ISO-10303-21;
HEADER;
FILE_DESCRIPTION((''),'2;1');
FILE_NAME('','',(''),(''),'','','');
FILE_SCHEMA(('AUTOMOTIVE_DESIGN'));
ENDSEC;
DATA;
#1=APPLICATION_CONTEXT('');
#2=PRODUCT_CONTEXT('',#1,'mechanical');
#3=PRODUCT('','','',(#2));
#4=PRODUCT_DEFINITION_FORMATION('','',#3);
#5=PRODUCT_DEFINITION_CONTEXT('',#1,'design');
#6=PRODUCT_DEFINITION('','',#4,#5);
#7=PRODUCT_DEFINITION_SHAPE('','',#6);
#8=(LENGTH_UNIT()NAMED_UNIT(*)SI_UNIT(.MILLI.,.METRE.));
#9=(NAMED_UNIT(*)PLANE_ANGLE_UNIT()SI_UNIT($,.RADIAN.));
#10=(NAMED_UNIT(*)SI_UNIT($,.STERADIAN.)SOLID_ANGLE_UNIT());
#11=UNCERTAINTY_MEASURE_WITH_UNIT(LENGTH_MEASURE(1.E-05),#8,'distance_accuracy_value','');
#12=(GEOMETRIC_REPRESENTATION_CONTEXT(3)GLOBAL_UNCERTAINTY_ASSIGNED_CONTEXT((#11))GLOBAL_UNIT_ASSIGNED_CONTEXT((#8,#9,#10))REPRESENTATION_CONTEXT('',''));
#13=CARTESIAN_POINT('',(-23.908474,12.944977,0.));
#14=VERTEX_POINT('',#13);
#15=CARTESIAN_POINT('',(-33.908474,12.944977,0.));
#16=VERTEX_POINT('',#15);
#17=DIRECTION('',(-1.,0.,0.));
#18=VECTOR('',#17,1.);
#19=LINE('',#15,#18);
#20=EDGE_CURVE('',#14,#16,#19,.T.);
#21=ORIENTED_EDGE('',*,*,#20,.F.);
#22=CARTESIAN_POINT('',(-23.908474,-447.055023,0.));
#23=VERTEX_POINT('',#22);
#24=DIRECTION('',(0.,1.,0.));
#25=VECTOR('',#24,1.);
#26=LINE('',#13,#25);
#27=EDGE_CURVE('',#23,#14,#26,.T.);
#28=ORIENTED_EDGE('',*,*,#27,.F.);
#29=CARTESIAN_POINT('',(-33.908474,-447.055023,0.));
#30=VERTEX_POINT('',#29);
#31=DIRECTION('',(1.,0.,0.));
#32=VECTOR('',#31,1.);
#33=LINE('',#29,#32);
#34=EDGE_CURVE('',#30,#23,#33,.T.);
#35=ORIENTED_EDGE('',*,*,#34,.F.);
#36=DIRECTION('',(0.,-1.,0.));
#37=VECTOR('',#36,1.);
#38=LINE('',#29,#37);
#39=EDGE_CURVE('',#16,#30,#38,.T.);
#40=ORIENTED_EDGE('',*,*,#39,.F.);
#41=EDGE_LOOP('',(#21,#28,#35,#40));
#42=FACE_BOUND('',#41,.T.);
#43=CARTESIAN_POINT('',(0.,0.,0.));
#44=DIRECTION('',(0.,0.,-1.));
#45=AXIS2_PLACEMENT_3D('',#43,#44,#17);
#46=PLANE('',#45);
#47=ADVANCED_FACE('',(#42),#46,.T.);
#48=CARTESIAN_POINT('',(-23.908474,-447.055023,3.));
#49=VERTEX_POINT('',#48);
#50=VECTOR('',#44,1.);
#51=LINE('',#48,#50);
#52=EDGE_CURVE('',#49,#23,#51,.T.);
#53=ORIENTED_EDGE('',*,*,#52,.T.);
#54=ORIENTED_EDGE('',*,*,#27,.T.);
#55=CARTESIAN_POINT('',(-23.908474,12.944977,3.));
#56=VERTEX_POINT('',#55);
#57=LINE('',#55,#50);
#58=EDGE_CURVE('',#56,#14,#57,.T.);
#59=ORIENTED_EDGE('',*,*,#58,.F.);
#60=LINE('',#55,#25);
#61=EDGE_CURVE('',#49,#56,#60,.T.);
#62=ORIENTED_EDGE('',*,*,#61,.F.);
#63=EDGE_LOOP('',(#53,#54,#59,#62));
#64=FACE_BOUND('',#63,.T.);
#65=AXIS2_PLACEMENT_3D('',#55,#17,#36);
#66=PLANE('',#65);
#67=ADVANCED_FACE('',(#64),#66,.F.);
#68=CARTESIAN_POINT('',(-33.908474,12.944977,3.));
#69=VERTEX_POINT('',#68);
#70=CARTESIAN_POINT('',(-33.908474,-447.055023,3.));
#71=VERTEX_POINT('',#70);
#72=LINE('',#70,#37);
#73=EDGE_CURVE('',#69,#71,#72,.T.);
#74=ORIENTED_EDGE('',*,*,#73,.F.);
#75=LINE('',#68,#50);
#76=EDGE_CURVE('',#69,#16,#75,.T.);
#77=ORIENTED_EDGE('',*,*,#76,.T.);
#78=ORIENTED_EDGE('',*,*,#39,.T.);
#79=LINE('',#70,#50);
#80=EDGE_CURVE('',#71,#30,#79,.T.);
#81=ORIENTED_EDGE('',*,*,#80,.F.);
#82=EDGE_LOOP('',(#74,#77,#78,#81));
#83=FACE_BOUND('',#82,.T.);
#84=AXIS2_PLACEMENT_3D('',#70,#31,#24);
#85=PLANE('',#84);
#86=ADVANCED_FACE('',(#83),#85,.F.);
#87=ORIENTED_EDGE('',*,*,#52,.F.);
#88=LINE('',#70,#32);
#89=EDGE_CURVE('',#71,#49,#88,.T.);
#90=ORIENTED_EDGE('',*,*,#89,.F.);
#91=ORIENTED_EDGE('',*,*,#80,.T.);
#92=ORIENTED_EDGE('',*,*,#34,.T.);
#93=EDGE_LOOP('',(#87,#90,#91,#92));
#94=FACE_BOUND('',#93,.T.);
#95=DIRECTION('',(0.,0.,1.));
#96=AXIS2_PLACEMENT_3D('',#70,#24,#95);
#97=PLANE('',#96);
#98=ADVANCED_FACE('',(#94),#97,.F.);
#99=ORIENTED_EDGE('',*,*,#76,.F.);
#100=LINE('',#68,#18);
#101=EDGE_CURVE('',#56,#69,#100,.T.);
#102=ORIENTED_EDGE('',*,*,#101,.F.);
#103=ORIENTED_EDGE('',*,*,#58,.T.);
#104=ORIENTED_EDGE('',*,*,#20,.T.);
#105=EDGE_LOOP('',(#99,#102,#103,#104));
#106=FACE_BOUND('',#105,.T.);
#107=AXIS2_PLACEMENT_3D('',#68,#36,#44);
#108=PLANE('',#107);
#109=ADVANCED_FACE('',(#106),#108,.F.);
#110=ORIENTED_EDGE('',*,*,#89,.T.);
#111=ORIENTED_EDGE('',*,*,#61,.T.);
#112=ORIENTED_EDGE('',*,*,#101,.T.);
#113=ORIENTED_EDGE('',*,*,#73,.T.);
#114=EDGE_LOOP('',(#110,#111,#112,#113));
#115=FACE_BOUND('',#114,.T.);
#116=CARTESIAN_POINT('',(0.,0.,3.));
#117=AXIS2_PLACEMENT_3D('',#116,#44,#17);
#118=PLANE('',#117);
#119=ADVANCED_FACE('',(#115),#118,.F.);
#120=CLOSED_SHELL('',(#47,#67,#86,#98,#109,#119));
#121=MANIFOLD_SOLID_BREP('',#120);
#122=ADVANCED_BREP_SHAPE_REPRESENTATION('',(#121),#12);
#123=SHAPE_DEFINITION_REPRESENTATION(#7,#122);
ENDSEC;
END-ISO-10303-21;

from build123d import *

# Parameters (mm, degrees)
ESQUISSE1_W        = 10
ESQUISSE1_H        = 460
BOSS_EXTRU_1_DEPTH = 3


with BuildPart() as part:
    # Esquisse1 → Boss.-Extru.1 (new body)
    with BuildSketch(Plane.XY):
        with Locations((-28.908474102, -217.055023387)):
            Rectangle(ESQUISSE1_W, ESQUISSE1_H)
    extrude(amount=BOSS_EXTRU_1_DEPTH)


solid = part.part
